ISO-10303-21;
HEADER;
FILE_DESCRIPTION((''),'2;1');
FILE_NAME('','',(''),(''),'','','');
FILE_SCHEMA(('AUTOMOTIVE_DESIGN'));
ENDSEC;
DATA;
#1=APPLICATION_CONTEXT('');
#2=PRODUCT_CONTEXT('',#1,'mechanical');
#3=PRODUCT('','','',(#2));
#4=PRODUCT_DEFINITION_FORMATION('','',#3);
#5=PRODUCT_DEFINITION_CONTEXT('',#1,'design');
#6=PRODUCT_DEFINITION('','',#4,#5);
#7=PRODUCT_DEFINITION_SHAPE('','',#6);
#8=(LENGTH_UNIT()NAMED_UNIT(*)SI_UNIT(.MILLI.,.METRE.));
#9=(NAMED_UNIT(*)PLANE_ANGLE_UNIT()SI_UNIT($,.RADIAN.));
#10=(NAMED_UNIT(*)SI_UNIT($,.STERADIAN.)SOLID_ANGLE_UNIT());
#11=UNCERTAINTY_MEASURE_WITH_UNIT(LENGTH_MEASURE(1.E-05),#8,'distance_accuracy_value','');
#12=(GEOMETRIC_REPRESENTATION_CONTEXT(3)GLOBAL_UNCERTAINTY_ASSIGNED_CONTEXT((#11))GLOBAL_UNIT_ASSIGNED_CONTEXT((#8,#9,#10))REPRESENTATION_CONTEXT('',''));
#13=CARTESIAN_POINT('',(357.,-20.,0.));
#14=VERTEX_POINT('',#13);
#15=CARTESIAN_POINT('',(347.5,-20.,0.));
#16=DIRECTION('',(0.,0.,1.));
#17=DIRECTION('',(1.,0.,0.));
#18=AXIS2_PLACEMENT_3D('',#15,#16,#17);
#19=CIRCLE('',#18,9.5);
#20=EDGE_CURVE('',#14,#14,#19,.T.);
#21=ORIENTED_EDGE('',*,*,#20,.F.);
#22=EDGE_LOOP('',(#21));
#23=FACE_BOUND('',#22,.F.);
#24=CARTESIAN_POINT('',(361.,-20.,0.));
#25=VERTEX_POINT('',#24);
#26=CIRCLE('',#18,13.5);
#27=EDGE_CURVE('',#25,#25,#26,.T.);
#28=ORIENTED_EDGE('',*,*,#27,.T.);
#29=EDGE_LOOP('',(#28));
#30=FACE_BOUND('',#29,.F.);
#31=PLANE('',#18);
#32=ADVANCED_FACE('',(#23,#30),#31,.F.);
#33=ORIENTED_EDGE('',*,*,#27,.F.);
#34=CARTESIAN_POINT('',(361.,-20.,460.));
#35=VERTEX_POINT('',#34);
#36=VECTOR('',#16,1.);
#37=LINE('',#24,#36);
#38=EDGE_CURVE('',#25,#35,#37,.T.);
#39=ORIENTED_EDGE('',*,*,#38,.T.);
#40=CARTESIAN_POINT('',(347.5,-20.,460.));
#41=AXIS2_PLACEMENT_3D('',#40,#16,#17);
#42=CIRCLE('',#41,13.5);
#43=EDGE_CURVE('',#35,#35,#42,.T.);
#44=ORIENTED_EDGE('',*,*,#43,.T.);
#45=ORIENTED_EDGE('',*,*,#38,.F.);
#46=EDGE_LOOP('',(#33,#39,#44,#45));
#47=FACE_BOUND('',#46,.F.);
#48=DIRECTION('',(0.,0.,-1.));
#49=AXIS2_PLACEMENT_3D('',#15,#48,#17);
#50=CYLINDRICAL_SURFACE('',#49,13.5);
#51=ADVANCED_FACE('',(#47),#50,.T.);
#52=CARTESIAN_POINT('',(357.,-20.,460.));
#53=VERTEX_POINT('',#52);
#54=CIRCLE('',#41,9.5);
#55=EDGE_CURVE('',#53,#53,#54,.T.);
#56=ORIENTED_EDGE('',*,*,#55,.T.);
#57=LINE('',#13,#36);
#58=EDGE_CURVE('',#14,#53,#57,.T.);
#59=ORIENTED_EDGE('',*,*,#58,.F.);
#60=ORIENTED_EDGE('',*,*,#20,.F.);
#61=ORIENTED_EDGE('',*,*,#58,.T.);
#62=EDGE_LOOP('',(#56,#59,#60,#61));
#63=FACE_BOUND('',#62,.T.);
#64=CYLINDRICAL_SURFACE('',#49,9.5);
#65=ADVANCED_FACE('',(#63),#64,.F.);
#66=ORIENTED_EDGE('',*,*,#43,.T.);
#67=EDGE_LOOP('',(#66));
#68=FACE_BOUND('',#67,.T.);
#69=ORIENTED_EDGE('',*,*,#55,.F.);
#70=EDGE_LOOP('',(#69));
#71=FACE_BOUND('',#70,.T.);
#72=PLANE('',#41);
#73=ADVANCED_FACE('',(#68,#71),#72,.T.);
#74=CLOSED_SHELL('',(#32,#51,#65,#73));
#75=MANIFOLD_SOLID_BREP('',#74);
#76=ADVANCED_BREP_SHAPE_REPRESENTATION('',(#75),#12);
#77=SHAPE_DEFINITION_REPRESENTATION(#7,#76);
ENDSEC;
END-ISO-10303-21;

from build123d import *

# Parameters (mm, degrees)
SKETCH1_R           = 13.5
SKETCH1_R_2         = 9.5
BOSS_EXTRUDE1_DEPTH = 460


with BuildPart() as part:
    # Sketch1 → Boss-Extrude1 (new body)
    with BuildSketch(Plane.XY):
        with Locations((347.5, -20)):
            Circle(SKETCH1_R)
        with Locations((347.5, -20)):
            Circle(SKETCH1_R_2, mode=Mode.SUBTRACT)
    extrude(amount=BOSS_EXTRUDE1_DEPTH)


solid = part.part
